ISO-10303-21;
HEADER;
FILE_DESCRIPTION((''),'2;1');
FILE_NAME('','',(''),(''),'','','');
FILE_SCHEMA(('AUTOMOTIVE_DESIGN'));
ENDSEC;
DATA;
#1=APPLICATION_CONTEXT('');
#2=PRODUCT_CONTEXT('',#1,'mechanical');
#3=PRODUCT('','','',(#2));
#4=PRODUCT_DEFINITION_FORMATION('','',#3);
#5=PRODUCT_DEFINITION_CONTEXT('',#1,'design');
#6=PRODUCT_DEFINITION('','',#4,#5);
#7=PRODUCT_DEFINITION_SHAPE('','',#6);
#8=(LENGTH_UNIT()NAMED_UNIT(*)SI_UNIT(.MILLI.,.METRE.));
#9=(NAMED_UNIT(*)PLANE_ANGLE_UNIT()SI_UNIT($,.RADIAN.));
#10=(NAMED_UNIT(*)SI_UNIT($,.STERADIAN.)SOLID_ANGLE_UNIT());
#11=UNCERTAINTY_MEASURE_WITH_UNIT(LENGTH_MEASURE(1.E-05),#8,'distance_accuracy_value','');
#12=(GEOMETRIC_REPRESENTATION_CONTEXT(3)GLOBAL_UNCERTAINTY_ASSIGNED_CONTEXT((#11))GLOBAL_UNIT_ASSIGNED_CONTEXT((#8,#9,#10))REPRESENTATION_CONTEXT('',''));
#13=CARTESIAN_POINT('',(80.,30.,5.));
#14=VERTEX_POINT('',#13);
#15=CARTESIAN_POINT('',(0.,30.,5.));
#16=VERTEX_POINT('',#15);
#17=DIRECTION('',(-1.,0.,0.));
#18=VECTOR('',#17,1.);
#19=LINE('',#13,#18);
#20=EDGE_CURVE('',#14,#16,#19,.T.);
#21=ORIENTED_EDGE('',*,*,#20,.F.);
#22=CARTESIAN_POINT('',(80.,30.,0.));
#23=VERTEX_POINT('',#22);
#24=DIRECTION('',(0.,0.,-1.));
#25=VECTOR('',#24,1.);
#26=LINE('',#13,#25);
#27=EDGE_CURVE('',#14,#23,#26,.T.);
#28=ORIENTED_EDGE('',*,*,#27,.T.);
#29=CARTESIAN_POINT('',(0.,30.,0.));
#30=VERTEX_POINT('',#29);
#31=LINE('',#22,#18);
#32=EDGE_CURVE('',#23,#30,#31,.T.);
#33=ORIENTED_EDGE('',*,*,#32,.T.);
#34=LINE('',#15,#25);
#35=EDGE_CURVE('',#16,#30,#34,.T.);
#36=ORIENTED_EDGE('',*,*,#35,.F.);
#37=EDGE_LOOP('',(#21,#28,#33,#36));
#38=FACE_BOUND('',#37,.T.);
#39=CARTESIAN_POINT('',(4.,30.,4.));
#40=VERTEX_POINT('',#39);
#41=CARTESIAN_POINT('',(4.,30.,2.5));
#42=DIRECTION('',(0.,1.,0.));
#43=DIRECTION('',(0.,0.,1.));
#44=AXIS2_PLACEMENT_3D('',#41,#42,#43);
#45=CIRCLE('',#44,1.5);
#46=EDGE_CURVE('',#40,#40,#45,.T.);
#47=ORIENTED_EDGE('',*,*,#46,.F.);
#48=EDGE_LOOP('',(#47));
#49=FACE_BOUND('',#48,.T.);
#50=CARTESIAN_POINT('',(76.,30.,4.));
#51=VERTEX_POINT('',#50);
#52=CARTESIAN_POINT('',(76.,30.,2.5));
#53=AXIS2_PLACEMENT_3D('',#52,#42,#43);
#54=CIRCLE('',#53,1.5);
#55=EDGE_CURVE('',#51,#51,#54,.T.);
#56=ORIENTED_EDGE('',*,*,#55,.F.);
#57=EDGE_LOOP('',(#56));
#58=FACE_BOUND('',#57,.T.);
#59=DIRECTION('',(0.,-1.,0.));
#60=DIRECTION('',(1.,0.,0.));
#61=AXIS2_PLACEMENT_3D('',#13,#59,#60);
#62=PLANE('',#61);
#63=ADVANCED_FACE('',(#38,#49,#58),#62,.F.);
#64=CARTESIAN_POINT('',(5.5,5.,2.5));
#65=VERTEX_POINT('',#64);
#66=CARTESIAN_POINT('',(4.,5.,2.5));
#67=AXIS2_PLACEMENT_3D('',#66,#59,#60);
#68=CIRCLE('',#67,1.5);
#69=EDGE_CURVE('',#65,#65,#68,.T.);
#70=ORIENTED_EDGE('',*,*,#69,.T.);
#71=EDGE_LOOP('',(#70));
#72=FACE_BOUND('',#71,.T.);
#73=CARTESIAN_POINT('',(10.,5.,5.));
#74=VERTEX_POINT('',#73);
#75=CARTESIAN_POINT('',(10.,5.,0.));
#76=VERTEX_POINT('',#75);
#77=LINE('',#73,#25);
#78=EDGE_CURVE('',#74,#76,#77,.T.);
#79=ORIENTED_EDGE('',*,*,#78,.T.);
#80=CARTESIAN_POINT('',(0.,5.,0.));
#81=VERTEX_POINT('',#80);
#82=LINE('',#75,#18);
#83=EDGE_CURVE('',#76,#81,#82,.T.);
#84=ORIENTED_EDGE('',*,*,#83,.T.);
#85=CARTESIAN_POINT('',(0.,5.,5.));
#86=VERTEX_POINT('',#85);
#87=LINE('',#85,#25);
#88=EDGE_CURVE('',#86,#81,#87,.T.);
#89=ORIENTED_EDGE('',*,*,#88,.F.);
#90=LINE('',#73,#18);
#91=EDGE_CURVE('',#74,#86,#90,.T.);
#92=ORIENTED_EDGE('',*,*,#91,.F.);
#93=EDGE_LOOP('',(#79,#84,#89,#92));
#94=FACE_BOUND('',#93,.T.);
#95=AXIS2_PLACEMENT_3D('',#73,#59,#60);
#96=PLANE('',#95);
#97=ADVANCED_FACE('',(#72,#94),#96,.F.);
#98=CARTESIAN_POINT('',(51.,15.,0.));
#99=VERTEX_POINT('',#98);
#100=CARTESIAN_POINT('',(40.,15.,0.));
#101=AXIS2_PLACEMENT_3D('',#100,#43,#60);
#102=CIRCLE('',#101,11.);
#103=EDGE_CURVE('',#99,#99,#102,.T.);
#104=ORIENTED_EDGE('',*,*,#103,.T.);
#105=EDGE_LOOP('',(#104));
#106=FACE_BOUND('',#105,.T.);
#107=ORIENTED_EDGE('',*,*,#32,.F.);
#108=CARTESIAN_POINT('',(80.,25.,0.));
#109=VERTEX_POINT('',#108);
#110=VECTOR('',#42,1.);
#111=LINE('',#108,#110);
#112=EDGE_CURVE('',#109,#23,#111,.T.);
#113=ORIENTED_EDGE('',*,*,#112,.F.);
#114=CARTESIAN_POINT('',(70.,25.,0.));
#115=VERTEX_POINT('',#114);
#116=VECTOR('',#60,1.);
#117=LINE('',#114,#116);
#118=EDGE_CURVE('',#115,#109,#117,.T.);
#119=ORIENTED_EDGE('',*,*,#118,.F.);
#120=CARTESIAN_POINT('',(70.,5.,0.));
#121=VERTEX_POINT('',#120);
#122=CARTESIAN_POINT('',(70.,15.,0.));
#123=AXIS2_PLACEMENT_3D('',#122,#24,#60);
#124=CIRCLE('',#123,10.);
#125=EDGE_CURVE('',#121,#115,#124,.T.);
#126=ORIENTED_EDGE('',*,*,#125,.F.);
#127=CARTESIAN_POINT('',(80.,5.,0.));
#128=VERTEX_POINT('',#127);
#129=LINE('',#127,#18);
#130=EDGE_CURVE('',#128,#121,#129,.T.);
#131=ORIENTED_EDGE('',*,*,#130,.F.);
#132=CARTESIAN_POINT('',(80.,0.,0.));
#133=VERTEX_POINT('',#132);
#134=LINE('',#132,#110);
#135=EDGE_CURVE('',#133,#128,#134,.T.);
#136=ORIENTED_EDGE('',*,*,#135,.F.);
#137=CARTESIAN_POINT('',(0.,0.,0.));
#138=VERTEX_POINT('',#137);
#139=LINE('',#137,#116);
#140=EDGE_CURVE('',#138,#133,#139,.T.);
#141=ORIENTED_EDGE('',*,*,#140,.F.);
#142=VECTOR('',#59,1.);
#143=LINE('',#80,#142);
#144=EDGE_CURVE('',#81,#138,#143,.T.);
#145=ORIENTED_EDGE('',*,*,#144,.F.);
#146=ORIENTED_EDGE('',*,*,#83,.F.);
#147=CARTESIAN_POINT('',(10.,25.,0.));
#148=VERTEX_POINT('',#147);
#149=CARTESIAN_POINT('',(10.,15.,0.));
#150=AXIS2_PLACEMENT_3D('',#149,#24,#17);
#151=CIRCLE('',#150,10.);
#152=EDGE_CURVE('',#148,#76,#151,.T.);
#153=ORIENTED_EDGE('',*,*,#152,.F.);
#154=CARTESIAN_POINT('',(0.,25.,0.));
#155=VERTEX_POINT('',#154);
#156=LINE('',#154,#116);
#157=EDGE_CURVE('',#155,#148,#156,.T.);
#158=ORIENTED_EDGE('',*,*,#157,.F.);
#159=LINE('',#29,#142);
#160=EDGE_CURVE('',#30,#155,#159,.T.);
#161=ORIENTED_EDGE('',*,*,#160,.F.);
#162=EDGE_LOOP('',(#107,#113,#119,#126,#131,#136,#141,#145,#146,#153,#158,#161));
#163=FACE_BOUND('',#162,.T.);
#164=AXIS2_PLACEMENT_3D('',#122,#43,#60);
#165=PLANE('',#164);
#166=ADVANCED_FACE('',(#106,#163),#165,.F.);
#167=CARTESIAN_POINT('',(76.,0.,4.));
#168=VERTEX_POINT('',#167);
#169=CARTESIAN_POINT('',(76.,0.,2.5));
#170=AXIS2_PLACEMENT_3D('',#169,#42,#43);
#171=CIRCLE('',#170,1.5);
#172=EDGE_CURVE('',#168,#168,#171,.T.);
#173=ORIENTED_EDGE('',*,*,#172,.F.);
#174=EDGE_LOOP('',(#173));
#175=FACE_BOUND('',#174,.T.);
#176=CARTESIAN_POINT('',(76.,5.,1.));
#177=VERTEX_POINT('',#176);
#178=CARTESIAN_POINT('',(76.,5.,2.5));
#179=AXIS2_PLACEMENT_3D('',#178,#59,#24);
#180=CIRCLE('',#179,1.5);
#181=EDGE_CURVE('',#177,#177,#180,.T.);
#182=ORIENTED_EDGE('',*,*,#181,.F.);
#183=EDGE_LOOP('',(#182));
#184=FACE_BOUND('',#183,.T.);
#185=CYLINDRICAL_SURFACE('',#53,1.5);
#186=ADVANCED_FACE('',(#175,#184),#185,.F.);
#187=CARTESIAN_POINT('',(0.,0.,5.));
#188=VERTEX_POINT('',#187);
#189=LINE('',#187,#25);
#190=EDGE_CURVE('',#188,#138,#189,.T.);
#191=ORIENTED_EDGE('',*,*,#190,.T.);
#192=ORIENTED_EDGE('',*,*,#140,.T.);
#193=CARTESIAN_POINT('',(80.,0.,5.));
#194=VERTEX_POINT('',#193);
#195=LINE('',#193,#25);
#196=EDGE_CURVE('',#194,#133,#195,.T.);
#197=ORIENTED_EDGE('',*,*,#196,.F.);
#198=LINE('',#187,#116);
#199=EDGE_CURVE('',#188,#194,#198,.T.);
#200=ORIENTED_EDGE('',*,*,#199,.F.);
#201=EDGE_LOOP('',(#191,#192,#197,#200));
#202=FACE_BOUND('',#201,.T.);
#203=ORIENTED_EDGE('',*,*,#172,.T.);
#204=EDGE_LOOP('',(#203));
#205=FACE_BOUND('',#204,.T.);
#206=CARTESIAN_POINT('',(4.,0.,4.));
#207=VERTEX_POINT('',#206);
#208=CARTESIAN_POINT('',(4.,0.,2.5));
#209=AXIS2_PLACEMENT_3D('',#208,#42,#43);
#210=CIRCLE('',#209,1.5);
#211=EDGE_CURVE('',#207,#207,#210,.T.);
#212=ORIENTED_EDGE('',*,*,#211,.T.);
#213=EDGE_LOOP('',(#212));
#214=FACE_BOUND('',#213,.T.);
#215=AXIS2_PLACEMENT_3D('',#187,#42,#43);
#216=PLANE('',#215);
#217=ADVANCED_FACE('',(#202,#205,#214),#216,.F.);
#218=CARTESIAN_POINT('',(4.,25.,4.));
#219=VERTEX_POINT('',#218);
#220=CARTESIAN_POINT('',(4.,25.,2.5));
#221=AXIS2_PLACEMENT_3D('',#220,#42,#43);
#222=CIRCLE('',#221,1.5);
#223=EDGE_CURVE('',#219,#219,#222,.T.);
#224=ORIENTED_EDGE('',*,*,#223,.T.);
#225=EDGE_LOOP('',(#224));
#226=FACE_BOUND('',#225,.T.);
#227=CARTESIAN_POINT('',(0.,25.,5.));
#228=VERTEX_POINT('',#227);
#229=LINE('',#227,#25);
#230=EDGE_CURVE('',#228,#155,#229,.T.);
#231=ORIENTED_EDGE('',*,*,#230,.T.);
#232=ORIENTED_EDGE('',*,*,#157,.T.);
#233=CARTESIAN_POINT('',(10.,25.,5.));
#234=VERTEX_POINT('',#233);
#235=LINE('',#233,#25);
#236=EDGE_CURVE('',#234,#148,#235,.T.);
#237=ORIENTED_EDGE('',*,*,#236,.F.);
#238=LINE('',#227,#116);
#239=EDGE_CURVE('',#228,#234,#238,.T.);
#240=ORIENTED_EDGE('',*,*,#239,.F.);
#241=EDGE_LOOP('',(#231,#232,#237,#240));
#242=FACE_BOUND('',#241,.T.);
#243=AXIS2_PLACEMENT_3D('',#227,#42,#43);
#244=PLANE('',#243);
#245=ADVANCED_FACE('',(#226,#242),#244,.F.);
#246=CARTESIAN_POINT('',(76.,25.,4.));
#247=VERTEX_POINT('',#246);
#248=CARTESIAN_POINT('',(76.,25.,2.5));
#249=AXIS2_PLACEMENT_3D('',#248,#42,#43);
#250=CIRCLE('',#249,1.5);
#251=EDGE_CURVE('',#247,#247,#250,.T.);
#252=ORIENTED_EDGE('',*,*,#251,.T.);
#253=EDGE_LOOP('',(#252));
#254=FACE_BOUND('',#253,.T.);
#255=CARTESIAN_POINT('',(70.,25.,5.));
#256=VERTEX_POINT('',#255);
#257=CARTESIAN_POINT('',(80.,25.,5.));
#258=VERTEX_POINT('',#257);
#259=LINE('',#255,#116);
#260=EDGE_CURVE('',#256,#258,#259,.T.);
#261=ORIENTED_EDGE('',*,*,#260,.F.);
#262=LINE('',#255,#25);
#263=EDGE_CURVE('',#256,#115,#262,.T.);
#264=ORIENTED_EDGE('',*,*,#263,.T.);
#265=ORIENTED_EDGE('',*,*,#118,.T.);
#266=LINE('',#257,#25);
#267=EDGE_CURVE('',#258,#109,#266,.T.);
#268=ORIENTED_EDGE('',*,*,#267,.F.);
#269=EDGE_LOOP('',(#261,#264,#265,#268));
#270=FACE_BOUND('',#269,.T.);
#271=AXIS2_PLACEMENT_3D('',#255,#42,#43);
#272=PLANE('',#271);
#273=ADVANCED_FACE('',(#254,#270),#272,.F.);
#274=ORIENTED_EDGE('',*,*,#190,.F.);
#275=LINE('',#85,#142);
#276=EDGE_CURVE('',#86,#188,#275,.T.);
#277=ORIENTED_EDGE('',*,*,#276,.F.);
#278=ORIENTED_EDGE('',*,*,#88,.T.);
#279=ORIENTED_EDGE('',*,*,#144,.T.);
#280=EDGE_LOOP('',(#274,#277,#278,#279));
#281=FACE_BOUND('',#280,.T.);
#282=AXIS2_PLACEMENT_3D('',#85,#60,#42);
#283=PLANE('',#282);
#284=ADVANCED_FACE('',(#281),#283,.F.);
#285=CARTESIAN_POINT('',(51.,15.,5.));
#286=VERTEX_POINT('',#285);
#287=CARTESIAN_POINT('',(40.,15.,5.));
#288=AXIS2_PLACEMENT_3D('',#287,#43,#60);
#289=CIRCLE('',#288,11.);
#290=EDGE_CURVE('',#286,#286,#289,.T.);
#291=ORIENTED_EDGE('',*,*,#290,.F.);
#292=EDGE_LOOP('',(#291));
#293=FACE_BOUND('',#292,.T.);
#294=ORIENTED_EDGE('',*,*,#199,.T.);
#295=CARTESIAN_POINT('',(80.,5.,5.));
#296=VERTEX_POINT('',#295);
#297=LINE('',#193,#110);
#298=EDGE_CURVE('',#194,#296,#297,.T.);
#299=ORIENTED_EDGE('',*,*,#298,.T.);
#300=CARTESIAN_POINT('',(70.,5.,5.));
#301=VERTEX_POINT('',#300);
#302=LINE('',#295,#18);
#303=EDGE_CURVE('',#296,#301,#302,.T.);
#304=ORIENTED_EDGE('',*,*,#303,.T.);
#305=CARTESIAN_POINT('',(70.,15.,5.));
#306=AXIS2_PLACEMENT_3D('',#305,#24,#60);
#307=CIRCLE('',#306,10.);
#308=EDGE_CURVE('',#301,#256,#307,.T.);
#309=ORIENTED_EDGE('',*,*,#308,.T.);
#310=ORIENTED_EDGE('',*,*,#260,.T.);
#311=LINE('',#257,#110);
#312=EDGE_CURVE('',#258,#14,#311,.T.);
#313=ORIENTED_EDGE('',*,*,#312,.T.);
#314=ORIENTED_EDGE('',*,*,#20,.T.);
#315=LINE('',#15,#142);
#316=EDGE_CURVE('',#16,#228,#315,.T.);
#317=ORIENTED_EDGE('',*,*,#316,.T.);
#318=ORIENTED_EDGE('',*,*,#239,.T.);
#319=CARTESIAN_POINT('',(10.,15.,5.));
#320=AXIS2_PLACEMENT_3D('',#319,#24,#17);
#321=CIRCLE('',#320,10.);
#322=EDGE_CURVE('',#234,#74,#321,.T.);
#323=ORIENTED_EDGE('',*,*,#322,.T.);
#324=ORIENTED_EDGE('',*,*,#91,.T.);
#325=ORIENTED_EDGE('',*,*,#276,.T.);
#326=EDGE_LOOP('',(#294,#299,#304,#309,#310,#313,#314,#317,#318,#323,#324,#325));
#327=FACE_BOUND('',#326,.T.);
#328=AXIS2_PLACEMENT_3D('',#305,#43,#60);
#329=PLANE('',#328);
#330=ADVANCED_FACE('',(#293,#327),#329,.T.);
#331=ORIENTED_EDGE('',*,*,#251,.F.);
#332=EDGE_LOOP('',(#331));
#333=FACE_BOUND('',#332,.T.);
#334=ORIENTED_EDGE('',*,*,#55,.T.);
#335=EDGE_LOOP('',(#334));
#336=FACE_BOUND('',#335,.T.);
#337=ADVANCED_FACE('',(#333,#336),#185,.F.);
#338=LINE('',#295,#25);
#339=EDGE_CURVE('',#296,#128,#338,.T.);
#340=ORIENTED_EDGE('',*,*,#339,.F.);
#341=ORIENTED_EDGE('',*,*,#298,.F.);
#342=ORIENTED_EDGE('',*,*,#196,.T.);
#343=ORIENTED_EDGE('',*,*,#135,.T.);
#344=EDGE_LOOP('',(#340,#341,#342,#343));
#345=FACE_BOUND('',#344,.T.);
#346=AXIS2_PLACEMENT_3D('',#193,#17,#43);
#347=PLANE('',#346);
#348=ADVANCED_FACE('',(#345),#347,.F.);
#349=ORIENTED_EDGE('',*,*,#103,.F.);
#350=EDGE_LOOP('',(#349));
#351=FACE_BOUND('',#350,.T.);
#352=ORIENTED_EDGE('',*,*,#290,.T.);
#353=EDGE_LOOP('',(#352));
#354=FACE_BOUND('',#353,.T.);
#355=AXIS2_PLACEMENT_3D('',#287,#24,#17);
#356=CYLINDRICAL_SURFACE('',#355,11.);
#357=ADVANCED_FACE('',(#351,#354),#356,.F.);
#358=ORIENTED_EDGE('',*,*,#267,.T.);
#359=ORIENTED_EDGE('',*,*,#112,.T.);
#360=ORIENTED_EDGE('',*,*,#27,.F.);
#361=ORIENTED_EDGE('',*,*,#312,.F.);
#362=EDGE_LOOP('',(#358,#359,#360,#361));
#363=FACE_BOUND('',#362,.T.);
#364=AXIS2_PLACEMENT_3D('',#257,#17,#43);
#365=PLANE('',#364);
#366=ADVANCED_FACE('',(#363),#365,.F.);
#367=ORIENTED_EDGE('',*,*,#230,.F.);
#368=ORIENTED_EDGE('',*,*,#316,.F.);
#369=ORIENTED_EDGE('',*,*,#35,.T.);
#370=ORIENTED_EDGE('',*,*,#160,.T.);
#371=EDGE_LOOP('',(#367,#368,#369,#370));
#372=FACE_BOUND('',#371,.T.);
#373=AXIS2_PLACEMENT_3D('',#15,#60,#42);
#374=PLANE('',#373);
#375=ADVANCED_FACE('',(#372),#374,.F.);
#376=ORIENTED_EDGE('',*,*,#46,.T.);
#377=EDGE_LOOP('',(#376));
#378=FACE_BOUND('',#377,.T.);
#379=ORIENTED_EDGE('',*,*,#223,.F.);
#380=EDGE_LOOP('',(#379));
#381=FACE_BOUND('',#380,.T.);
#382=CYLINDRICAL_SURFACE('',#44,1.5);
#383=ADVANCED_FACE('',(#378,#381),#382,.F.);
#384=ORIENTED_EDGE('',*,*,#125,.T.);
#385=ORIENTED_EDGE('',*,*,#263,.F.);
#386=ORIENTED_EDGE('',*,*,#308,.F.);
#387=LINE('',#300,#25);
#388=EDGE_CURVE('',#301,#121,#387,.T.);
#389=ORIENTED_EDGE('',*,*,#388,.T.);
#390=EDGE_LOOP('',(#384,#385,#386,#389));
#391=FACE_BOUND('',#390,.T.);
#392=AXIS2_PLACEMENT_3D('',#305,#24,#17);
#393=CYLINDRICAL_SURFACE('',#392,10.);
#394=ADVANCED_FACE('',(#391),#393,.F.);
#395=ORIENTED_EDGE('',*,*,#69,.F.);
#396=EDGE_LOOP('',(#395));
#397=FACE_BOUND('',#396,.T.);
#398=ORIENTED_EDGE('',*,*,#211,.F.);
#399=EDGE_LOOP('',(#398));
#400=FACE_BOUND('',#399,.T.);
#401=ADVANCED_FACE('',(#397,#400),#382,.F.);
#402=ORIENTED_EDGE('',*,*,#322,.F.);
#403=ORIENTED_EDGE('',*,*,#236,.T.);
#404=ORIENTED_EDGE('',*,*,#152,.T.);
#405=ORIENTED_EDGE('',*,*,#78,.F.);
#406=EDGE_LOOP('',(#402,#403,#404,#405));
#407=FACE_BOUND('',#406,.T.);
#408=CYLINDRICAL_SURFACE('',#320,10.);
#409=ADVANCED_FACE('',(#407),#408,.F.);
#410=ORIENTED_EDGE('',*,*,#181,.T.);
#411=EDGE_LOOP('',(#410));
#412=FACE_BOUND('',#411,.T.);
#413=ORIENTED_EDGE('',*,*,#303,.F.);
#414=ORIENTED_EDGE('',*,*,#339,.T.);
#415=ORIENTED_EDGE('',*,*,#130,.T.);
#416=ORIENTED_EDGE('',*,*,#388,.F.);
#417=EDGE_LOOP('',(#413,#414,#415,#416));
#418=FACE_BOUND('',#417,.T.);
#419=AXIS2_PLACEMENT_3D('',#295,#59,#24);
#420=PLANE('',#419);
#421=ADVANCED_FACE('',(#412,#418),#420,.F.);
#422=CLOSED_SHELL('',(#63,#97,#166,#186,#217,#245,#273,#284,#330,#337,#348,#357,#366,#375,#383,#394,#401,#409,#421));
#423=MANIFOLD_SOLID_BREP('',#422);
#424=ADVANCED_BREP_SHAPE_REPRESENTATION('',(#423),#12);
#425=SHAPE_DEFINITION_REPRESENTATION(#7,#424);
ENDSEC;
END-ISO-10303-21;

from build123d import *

# Parameters (mm, degrees)
ESQUISSE1_R        = 11
BOSS_EXTRU_1_DEPTH = 5
D_GAGEMENT_M31_D   = 3


with BuildPart() as part:
    # Esquisse1 → Boss.-Extru.1 (new body)
    with BuildSketch(Plane.XY):
        with BuildLine():
            Line((0, 0), (80, 0))
            Line((80, 0), (80, 5))
            Line((80, 5), (70, 5))
            ThreePointArc((70, 5), (60, 15), (70, 25))
            Line((70, 25), (80, 25))
            Line((80, 25), (80, 30))
            Line((80, 30), (0, 30))
            Line((0, 30), (0, 25))
            Line((0, 25), (10, 25))
            ThreePointArc((10, 25), (20, 15), (10, 5))
            Line((10, 5), (0, 5))
            Line((0, 5), (0, 0))
        make_face()
        with Locations((40, 15)):
            Circle(ESQUISSE1_R, mode=Mode.SUBTRACT)
    extrude(amount=BOSS_EXTRU_1_DEPTH)

    # Dégagement M31 (through all)
    with Locations(Plane(origin=(0, 30, 0), x_dir=(1, 0, 0), z_dir=(0, 1, 0))):
        with Locations((4, -2.5), (76, -2.5)):
            Hole(D_GAGEMENT_M31_D / 2)


solid = part.part
